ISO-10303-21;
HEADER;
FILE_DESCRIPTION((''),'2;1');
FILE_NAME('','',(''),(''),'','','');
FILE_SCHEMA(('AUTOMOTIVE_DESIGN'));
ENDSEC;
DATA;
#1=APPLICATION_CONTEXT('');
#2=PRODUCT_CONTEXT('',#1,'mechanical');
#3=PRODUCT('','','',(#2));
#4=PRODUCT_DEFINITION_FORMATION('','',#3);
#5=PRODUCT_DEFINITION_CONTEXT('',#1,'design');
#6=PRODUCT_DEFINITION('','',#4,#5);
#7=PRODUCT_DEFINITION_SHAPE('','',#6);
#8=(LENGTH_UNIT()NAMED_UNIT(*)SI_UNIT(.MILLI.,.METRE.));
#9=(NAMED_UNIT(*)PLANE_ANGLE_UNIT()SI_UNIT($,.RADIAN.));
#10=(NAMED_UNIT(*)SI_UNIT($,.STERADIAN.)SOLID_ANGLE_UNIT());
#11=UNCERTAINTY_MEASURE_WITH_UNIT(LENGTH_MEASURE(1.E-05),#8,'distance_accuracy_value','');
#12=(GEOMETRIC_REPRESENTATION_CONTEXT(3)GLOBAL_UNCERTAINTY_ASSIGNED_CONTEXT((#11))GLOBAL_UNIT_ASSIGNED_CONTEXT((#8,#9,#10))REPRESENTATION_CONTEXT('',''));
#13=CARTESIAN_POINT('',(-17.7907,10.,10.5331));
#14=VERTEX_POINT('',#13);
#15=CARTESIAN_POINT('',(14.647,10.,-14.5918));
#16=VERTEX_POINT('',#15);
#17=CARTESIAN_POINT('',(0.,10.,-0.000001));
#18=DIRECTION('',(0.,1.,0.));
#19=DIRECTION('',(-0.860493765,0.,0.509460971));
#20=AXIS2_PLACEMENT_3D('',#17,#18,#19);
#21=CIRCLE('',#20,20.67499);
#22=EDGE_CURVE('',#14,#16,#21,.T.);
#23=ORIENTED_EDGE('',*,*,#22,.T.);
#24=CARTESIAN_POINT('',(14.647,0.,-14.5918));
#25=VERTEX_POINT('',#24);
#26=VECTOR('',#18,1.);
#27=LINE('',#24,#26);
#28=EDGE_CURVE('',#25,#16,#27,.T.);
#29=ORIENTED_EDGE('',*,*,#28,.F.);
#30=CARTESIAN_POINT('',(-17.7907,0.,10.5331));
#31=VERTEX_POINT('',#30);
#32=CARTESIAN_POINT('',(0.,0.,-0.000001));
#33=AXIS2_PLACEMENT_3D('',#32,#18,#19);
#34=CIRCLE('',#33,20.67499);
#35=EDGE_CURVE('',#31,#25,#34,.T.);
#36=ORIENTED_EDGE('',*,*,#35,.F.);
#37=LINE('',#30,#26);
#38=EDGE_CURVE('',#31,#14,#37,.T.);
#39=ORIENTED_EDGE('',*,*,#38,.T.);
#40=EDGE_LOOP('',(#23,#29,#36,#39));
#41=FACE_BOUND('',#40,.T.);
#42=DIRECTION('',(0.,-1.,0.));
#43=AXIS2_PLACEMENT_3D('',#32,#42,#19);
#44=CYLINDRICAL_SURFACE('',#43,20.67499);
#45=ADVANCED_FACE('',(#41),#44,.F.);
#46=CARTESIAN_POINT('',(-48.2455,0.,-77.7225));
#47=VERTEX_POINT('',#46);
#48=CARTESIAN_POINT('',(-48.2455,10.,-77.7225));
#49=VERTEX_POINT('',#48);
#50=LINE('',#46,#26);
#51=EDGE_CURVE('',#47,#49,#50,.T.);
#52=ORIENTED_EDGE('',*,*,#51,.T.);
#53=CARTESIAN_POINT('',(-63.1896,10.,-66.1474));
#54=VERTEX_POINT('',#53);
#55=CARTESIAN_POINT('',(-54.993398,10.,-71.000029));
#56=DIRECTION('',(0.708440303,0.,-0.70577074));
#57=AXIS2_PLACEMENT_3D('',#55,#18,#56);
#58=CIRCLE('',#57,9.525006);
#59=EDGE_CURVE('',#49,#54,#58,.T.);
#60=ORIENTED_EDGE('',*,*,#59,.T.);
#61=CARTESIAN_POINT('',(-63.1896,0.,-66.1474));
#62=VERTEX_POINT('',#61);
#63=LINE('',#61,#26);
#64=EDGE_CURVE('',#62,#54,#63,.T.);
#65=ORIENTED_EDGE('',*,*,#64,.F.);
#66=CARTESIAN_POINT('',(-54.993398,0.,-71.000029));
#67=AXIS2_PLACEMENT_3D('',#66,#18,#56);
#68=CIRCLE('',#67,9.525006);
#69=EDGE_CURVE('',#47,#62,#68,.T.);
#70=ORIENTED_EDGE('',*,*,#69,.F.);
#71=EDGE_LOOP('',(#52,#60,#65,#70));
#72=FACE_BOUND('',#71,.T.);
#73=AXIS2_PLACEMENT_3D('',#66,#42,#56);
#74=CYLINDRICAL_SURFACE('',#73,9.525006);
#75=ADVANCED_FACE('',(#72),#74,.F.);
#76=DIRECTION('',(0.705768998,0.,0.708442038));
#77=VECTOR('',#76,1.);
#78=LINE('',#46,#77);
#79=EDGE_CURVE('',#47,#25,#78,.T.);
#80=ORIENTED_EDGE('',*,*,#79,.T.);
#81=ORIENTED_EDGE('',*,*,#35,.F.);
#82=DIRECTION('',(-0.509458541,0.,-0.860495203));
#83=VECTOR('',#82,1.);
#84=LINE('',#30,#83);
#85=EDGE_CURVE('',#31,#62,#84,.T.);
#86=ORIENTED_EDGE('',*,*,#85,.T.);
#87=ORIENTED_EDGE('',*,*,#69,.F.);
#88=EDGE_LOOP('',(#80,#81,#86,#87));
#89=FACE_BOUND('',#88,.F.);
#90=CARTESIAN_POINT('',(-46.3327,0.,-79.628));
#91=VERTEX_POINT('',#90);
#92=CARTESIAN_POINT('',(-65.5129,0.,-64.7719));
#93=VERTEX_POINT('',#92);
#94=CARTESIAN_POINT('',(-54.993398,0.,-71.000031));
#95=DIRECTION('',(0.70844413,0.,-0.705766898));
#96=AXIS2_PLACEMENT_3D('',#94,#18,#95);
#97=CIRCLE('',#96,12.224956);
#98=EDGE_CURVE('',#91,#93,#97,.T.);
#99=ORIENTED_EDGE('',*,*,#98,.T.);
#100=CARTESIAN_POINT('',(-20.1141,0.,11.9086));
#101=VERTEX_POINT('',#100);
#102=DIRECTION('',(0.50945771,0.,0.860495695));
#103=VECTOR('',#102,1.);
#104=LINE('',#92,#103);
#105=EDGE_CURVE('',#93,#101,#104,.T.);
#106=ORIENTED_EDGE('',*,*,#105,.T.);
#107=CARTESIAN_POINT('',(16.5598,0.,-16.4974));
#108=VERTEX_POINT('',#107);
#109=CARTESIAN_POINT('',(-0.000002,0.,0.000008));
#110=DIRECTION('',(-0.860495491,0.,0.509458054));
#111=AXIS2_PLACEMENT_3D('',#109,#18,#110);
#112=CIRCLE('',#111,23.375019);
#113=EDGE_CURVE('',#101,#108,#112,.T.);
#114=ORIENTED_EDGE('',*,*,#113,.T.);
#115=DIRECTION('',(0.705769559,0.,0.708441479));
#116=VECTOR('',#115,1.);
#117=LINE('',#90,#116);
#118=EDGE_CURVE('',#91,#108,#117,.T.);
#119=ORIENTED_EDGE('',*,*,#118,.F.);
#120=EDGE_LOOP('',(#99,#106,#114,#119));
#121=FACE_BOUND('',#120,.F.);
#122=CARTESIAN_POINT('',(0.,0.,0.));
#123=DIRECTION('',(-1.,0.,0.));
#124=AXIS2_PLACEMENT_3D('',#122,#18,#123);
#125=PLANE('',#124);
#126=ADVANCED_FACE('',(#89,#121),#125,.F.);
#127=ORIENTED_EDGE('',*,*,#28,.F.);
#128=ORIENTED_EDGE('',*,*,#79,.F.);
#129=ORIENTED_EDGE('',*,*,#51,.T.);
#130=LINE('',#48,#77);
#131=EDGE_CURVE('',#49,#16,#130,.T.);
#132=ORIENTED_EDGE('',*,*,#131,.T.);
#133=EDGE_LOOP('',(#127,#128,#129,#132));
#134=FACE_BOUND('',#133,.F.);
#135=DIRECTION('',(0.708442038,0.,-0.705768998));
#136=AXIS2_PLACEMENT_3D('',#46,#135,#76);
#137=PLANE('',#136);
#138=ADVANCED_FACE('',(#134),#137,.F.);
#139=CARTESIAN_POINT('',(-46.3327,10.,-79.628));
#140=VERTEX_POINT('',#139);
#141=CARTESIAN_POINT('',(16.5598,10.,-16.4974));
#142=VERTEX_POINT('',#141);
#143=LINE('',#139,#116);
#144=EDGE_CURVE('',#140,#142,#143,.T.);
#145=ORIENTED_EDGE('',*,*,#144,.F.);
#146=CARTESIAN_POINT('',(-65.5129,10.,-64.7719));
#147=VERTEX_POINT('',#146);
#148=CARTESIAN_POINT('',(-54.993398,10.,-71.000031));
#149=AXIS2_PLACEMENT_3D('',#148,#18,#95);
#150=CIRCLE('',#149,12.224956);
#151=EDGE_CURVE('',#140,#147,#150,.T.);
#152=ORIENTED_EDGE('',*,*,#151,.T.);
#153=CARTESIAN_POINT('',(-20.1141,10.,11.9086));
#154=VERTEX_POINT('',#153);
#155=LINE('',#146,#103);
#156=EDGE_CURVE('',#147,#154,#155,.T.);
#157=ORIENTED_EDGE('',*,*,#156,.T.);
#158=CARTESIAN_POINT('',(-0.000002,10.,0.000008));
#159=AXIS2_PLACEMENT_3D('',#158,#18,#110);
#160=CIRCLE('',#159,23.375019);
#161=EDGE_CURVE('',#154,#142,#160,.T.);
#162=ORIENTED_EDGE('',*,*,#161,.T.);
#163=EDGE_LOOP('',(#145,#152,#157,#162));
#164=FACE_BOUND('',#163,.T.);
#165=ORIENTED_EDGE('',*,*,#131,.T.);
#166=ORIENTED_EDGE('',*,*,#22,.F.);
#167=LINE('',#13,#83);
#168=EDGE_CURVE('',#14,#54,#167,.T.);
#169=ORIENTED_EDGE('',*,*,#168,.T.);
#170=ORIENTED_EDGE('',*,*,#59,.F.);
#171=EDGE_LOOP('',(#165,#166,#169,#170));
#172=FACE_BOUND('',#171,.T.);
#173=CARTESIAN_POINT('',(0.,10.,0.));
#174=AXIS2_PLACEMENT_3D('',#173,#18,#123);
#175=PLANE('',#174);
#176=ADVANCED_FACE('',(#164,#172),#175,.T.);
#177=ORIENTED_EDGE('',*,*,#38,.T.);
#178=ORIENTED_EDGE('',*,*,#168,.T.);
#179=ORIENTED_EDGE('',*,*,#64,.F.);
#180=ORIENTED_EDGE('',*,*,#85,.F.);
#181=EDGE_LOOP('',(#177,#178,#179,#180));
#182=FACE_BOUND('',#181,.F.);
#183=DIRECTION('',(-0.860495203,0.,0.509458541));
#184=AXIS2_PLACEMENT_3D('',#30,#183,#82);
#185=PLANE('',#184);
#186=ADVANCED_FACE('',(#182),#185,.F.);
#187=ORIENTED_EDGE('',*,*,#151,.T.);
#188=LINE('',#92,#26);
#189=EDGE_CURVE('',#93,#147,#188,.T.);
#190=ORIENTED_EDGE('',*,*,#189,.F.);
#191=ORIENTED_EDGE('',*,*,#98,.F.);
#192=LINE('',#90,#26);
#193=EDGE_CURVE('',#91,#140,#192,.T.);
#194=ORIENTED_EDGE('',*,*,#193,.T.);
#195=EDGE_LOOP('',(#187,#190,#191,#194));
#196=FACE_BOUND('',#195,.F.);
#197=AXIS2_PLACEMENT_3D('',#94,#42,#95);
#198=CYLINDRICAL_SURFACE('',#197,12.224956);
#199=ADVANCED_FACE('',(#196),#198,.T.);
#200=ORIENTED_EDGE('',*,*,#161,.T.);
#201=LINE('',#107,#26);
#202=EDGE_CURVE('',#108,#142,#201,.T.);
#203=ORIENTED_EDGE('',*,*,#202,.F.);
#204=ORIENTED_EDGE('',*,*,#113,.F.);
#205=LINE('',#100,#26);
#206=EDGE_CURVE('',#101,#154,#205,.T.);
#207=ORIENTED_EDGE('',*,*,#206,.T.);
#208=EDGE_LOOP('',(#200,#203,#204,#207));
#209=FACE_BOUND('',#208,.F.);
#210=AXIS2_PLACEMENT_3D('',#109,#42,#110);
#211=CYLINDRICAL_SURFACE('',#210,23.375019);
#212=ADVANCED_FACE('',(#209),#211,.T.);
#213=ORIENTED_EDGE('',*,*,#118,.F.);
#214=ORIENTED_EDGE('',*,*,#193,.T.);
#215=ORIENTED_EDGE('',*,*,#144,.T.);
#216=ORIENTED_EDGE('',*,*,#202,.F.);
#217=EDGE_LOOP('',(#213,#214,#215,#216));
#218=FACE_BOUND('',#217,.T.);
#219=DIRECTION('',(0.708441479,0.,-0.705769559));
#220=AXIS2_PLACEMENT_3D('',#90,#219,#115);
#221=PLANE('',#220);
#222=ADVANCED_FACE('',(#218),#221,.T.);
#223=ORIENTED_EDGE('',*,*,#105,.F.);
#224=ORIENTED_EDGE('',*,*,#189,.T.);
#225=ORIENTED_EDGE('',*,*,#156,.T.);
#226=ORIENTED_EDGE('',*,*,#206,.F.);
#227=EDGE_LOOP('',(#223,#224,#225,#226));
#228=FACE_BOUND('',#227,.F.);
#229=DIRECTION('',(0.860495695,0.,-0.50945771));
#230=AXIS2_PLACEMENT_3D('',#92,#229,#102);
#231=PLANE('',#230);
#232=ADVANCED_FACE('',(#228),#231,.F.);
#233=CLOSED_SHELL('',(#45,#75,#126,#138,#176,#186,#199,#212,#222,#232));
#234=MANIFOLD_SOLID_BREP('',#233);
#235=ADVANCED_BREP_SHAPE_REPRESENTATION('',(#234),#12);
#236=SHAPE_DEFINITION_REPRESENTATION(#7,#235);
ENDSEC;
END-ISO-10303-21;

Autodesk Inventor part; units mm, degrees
ref_plane "YZ Plane" through (0, 0, 0) normal (1, 0, 0) x (0, 1, 0)
ref_plane "XZ Plane" through (0, 0, 0) normal (0, 1, 0) x (-1, 0, 0)
ref_plane "XY Plane" through (0, 0, 0) normal (0, 0, 1) x (1, 0, 0)
sketch "Szkic1" plane through (0, 0, 0) normal (0, 1, 0) x (-1, 0, 0)
  arc A0 (48.2455, -77.7225) -> (63.1896, -66.1474) centre (54.9934, -71) ccw
  arc A1 (46.3327, -79.628) -> (65.5129, -64.7719) centre (54.9934, -71) ccw
  arc A2 (17.7907, 10.5331) -> (-14.647, -14.5918) centre (0, 0) ccw
  arc A3 (20.1141, 11.9086) -> (-16.5598, -16.4974) centre (0, 0) ccw
  line L0 (65.5129, -64.7719) -> (20.1141, 11.9086)
  line L1 (46.3327, -79.628) -> (-16.5598, -16.4974)
  line L2 (17.7907, 10.5331) -> (63.1896, -66.1474)
  line L3 (48.2455, -77.7225) -> (-14.647, -14.5918)
  point P0 (0, 0)
extrude "Wyciągnięcie proste1" add sketch "Szkic1" along normal blind 10
properties part number "Pas zębaty 10 T5-295"
